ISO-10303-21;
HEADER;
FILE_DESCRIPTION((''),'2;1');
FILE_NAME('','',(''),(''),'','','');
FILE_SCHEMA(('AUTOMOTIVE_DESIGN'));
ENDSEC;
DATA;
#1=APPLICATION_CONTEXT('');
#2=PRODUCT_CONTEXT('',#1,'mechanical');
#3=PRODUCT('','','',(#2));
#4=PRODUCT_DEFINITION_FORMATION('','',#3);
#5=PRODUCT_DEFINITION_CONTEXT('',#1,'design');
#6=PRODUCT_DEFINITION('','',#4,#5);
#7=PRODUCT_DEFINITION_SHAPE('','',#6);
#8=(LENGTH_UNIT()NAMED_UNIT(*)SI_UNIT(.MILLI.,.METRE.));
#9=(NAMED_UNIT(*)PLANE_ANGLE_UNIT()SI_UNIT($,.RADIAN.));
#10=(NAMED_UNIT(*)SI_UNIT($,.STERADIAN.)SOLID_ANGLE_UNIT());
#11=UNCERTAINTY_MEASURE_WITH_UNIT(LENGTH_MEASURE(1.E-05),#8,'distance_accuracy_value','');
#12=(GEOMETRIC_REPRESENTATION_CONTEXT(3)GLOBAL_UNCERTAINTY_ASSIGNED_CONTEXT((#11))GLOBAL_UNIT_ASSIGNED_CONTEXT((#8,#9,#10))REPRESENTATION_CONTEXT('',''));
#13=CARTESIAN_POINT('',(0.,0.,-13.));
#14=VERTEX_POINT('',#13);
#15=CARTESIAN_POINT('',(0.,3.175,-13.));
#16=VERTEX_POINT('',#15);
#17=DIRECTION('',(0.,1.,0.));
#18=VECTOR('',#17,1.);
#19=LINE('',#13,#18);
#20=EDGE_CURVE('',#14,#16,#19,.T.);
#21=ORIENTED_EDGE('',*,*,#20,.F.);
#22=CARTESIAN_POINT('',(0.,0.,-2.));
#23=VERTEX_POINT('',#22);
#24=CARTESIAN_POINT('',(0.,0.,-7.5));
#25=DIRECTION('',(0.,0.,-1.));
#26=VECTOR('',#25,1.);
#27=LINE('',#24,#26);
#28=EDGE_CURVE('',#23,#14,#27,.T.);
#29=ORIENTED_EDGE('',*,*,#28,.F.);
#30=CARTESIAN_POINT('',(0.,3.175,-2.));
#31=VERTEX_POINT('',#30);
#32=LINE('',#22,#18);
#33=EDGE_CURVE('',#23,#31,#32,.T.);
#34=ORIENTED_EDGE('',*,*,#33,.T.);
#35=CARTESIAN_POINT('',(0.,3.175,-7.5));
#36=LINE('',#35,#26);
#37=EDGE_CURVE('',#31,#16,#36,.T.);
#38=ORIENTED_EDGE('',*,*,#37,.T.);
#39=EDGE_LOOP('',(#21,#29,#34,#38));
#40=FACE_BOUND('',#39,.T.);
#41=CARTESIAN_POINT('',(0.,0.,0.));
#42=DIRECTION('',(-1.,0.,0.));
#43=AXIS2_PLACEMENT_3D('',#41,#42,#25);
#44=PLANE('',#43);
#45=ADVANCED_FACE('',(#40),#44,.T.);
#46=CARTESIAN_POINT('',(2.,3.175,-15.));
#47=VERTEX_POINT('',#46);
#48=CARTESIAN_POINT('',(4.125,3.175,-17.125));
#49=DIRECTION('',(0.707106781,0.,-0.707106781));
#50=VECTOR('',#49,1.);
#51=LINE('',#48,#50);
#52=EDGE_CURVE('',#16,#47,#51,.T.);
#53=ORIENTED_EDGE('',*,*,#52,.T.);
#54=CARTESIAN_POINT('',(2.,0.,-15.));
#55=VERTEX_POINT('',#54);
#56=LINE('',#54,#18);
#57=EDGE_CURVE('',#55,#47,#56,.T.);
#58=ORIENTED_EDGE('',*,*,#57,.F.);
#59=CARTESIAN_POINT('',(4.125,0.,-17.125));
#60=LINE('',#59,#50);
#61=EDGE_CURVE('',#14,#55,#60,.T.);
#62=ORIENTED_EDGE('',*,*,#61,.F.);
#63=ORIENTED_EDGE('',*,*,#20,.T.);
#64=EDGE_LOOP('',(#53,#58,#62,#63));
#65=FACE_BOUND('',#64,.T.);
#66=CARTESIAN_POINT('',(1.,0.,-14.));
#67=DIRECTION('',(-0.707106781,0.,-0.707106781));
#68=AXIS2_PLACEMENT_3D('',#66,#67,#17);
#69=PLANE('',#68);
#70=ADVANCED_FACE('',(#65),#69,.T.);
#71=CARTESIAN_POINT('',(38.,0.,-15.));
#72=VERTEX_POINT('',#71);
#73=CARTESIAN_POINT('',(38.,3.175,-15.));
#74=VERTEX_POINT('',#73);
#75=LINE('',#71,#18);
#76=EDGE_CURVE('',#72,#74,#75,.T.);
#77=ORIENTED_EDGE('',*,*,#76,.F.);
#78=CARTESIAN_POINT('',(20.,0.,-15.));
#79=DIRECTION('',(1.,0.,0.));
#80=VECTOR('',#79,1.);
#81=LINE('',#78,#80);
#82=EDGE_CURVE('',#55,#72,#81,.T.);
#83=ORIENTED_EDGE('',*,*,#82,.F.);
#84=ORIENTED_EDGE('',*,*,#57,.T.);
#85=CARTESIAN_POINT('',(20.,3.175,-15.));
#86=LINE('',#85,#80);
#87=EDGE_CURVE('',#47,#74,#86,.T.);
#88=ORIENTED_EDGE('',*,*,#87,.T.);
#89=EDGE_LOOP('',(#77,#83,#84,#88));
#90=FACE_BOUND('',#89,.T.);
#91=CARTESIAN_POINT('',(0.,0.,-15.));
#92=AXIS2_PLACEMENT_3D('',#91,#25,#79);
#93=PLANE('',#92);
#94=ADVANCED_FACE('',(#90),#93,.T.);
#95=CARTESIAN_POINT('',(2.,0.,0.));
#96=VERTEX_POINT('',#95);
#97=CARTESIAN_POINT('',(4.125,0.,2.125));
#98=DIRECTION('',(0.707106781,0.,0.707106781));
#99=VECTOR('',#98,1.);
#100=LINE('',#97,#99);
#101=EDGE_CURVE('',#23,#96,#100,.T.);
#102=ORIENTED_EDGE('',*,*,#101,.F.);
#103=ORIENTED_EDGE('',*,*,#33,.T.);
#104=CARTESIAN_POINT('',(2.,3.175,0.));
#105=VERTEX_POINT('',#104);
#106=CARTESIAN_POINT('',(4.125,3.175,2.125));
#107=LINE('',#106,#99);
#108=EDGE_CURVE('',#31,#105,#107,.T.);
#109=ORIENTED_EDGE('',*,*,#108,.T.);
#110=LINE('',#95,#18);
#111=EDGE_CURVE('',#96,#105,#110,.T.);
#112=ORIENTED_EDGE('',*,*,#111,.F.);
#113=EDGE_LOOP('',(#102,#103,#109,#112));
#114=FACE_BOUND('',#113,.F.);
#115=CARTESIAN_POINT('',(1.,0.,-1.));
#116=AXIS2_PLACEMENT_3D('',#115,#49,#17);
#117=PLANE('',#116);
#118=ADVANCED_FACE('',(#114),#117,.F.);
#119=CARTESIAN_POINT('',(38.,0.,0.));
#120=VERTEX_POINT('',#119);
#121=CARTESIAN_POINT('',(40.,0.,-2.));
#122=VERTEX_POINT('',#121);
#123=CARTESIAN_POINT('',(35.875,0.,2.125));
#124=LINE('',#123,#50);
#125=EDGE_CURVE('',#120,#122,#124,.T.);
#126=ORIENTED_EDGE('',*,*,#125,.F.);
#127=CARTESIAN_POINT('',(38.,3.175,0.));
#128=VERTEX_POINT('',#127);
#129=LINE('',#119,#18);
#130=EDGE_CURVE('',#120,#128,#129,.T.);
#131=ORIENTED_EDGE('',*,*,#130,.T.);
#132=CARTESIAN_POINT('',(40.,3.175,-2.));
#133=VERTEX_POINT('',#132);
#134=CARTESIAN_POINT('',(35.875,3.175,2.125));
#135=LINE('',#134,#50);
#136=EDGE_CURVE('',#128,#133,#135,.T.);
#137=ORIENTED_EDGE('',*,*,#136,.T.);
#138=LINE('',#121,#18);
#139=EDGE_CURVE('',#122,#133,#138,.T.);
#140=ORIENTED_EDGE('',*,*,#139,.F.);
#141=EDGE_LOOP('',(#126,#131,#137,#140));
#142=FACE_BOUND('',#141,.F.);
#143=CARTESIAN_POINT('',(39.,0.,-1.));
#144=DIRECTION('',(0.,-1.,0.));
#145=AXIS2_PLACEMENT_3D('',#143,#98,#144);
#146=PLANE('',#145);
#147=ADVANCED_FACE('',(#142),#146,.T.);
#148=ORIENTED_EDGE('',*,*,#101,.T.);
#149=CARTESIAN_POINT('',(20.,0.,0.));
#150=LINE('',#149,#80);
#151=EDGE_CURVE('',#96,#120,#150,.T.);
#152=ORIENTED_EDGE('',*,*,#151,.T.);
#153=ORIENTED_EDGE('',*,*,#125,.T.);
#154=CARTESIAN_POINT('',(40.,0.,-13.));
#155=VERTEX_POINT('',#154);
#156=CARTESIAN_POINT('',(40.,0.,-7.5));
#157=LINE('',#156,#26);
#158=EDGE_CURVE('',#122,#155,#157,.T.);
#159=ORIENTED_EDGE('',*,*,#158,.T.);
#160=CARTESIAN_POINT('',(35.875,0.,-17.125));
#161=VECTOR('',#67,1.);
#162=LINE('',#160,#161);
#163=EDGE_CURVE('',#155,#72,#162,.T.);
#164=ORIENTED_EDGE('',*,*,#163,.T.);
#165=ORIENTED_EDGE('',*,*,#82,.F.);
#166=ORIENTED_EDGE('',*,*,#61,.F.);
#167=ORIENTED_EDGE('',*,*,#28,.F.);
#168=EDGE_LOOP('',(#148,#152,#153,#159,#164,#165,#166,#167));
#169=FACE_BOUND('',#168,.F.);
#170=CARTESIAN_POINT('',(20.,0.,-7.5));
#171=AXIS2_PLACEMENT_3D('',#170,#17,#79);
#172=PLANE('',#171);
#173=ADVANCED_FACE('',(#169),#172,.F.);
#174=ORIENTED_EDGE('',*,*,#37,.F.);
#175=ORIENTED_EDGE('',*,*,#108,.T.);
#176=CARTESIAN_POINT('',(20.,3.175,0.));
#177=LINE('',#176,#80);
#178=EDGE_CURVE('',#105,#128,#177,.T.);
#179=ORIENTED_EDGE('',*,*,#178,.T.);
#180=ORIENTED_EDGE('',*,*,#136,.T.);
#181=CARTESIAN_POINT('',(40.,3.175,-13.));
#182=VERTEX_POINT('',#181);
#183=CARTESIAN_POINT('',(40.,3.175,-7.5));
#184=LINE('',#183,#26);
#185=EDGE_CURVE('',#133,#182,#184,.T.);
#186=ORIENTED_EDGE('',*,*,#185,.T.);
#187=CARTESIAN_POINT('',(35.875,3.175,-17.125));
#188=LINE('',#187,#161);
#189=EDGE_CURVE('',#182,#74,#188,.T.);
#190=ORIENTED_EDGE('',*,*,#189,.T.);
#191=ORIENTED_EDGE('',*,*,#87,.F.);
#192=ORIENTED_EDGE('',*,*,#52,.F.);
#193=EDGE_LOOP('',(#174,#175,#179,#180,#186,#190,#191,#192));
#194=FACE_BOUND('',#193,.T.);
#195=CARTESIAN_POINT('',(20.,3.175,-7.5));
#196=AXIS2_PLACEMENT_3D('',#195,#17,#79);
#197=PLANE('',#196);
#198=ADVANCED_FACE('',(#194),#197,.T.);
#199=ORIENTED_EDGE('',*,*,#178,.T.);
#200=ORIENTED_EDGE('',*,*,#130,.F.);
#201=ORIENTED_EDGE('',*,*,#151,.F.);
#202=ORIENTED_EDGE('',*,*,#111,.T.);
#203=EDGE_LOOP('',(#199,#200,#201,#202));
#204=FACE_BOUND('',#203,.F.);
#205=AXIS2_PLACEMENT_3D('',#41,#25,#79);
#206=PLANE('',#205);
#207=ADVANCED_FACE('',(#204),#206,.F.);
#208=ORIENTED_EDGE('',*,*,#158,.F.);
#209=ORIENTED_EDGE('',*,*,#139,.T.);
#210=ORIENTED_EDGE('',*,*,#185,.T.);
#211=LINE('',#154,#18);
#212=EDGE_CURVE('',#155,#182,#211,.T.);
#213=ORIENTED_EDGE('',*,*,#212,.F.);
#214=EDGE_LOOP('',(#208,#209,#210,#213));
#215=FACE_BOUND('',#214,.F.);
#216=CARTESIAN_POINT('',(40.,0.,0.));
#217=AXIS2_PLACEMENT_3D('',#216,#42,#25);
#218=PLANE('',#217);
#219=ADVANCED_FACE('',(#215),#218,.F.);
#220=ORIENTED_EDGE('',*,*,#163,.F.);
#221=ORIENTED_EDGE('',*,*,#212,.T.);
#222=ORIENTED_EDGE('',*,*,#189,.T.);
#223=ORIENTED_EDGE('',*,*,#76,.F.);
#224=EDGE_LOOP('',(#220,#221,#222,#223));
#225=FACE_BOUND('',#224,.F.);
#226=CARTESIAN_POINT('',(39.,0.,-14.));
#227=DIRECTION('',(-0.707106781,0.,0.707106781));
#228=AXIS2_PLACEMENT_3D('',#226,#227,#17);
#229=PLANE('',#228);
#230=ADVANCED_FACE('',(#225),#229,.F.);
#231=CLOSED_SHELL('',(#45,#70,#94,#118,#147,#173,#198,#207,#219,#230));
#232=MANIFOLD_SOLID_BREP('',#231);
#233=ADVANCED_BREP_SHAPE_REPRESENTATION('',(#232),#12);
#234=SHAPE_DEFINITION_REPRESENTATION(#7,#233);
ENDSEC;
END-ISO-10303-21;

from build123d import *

# Parameters (mm, degrees)
SKETCH1_W           = 40
SKETCH1_H           = 15
BOSS_EXTRUDE1_DEPTH = 3.175
CHAMFER1_SIZE       = 2


with BuildPart() as part:
    # Sketch1 → Boss-Extrude1 (new body)
    with BuildSketch(Plane(origin=(0, 0, 0), x_dir=(1, 0, 0), z_dir=(0, 1, 0))):
        with Locations((20, 7.5)):
            Rectangle(SKETCH1_W, SKETCH1_H)
    extrude(amount=BOSS_EXTRUDE1_DEPTH)

    # Chamfer1
    chamfer1_edges = [part.edges().sort_by_distance(p)[0] for p in [
        (0, 1.5875, -15),
        (40, 1.5875, -15),
        (40, 1.5875, 0),
        (0, 1.5875, 0),
    ]]
    chamfer(chamfer1_edges, length=CHAMFER1_SIZE)


solid = part.part
